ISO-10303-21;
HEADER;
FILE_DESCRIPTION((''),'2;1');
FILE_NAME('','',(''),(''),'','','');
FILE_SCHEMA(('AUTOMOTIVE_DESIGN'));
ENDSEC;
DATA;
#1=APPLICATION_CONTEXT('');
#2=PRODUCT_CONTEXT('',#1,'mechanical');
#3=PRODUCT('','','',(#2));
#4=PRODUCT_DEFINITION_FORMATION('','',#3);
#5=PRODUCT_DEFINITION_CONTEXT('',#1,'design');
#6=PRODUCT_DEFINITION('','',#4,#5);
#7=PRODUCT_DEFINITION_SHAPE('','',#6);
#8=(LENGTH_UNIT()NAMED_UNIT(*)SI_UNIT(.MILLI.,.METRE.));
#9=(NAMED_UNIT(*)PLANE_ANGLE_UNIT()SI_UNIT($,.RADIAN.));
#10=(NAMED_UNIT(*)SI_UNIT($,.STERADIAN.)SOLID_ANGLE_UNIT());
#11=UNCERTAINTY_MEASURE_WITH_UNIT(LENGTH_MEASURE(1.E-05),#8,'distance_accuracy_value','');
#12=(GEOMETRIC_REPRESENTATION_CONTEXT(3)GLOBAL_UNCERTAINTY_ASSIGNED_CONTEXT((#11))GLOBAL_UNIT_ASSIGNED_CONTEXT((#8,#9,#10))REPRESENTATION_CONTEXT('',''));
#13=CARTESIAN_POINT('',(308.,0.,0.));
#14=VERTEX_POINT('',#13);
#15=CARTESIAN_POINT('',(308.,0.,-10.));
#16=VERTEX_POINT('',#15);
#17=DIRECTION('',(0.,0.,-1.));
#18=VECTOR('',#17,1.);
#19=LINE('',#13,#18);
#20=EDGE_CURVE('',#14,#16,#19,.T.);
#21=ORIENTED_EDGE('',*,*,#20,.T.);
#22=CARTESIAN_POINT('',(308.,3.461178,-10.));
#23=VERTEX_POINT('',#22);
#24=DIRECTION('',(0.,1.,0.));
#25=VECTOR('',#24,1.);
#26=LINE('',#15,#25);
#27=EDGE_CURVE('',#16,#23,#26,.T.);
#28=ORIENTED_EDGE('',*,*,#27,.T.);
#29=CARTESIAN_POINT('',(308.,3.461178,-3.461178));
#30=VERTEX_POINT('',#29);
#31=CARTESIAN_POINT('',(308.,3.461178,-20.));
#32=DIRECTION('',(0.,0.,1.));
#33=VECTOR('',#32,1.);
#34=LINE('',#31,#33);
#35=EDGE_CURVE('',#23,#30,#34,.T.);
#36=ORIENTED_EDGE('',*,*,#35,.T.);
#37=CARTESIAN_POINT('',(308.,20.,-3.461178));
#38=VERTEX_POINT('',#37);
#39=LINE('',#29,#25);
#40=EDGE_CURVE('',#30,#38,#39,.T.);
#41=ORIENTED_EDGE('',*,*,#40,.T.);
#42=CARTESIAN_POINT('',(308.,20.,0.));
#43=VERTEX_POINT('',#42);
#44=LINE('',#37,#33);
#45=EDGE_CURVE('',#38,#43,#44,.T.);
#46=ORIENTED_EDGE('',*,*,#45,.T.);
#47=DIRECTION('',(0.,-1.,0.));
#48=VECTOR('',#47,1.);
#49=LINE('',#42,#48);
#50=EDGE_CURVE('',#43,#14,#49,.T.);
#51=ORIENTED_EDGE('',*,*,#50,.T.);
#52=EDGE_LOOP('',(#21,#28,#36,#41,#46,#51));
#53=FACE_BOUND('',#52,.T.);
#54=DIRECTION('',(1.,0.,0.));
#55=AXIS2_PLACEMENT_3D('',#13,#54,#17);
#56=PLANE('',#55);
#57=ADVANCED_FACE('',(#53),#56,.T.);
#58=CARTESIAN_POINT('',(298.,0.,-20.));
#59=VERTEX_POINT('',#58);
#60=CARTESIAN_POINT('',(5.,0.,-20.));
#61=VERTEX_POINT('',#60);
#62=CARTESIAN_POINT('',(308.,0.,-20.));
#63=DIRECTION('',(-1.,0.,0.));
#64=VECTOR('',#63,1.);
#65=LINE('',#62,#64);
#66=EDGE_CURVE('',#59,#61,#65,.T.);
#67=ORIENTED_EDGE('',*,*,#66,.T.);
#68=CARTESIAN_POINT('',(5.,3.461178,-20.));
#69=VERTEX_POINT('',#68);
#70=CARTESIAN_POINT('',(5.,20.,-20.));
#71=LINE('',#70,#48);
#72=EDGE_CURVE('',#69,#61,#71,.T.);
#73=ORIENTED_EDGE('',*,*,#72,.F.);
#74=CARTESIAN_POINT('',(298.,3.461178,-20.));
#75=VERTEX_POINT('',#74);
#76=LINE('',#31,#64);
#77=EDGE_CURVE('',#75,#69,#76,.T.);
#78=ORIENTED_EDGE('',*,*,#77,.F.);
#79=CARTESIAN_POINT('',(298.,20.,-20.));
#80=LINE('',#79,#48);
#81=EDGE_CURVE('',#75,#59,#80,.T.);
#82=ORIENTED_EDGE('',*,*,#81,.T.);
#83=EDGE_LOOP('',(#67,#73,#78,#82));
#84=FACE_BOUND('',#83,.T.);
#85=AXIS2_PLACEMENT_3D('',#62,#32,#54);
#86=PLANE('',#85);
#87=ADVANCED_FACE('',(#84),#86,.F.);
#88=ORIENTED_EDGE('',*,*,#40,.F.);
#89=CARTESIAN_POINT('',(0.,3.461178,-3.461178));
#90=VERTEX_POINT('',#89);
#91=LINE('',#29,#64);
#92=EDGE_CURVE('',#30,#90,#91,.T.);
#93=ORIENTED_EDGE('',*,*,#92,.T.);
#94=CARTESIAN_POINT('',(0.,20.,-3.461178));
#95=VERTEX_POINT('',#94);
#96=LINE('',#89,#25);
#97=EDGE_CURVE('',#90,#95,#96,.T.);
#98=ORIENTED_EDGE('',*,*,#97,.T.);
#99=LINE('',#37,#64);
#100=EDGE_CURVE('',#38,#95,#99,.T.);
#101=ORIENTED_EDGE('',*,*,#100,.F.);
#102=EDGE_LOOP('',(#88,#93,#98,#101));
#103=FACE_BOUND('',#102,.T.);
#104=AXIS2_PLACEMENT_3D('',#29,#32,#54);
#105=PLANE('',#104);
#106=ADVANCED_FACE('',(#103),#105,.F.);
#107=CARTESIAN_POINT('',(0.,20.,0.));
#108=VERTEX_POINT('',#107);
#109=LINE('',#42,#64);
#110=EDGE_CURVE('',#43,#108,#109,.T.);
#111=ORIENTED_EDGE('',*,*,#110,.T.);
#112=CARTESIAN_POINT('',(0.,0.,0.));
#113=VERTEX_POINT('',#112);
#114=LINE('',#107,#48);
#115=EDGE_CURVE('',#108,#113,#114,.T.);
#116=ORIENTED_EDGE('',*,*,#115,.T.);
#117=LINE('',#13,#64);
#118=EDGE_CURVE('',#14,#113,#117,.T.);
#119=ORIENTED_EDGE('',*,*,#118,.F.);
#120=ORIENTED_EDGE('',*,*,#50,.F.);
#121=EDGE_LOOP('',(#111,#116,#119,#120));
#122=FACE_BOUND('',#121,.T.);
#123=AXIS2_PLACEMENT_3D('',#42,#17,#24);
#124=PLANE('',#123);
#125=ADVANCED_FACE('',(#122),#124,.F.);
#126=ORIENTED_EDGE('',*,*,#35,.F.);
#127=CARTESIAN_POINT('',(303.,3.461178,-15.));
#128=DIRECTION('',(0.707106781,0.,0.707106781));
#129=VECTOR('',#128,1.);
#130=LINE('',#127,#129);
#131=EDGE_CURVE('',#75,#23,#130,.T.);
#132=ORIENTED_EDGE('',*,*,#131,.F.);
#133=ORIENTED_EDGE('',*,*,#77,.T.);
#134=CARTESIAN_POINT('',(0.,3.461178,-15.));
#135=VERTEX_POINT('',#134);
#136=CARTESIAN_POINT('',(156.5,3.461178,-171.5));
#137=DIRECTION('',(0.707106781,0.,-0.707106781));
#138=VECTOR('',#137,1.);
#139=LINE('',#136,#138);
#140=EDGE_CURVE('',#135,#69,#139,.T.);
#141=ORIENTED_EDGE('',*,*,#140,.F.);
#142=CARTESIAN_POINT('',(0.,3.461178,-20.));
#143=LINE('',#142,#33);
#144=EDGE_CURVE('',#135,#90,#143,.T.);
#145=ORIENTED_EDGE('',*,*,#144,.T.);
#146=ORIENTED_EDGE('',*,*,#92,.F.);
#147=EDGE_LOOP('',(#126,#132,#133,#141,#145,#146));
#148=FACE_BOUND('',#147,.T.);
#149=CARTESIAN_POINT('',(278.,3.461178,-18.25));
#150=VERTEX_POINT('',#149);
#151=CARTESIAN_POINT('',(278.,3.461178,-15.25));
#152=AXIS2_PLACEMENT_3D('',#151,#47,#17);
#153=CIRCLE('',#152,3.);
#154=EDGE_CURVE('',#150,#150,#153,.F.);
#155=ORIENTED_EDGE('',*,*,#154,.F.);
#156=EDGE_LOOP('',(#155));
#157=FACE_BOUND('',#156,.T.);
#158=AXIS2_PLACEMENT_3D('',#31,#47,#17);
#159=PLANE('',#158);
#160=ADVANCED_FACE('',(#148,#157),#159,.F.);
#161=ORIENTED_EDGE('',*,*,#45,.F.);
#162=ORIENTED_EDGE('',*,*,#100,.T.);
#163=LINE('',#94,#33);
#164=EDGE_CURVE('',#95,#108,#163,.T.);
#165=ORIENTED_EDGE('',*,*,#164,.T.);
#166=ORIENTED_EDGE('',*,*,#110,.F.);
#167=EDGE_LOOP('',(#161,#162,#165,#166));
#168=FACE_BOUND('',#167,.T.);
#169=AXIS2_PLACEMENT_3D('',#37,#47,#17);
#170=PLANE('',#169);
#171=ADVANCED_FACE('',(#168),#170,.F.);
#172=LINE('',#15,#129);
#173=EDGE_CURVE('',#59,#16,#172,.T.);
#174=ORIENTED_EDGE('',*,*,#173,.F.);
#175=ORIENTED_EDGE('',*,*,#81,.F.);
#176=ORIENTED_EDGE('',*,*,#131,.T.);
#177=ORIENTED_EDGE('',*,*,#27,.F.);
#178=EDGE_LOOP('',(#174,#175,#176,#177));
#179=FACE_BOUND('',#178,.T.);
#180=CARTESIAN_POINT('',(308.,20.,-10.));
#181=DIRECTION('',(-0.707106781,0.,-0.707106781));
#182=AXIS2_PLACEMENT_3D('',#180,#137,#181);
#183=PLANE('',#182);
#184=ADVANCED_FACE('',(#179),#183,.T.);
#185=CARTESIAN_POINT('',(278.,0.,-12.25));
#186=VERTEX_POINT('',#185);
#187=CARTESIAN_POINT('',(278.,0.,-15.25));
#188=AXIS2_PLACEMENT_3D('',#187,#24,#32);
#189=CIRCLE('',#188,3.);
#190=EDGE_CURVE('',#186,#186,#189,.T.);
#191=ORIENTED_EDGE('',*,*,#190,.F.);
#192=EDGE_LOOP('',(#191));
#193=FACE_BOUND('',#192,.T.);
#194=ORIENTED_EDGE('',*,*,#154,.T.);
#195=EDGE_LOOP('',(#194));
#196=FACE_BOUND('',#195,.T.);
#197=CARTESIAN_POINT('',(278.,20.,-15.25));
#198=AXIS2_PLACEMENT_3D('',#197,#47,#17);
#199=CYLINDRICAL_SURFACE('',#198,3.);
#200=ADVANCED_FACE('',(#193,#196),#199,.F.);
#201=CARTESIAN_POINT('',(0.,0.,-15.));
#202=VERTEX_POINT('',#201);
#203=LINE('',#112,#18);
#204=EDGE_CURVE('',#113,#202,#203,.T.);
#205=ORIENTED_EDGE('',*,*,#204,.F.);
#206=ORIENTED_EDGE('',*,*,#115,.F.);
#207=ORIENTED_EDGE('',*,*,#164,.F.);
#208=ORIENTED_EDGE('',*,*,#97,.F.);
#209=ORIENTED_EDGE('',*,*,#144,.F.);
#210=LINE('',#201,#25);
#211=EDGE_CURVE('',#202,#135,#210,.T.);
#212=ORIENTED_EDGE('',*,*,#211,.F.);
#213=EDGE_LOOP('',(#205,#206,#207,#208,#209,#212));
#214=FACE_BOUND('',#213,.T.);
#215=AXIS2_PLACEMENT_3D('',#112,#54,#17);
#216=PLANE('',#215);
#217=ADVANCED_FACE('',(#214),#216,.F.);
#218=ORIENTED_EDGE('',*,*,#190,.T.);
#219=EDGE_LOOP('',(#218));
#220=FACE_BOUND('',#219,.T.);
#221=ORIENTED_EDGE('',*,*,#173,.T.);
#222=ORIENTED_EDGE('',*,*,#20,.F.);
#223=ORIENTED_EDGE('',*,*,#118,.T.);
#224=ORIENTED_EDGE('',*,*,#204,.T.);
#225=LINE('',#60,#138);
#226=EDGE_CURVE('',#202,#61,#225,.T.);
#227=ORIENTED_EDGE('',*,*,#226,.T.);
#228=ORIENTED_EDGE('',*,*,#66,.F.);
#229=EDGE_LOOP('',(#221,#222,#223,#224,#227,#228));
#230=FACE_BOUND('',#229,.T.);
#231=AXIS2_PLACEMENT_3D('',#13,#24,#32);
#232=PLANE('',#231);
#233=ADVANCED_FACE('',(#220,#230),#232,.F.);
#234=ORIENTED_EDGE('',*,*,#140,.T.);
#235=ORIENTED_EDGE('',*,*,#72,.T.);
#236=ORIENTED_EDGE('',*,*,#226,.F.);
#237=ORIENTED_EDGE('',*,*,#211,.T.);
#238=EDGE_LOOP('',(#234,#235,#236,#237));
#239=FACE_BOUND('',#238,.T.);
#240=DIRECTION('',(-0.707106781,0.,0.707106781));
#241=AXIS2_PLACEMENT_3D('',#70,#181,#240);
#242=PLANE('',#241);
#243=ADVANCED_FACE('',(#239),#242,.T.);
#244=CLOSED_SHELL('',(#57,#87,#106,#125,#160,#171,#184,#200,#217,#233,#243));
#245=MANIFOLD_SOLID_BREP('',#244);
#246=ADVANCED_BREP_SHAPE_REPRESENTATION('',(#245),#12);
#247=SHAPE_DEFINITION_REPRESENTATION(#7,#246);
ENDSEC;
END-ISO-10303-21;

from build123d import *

# Parameters (mm, degrees)
BOSS_EXTRUDE1_DEPTH = 308
SKETCH2_R           = 3
CUT_EXTRUDE1_DEPTH  = 310.295974756


with BuildPart() as part:
    # Sketch1 → Boss-Extrude1 (new body)
    with BuildSketch(Plane(origin=(0, 0, 0), x_dir=(0, 0, -1), z_dir=(1, 0, 0))):
        Polygon((0, 0), (20, 0), (20, 3.461178467), (3.461178467, 3.461178467), (3.461178467, 20), (0, 20), align=None)
    extrude(amount=BOSS_EXTRUDE1_DEPTH)

    # Sketch2 → Cut-Extrude1 (cut, through all)
    with BuildSketch(Plane(origin=(0, 0, 0), x_dir=(1, 0, 0), z_dir=(0, 1, 0))):
        with Locations(Location((278, 15.25, 0), (0, 0, 90))):
            Circle(SKETCH2_R)
        Polygon((308, 10), (298, 20), (308, 20), align=None)
        Polygon((0, 20), (5, 20), (0, 15), align=None)
    extrude(amount=CUT_EXTRUDE1_DEPTH, mode=Mode.SUBTRACT)


solid = part.part
